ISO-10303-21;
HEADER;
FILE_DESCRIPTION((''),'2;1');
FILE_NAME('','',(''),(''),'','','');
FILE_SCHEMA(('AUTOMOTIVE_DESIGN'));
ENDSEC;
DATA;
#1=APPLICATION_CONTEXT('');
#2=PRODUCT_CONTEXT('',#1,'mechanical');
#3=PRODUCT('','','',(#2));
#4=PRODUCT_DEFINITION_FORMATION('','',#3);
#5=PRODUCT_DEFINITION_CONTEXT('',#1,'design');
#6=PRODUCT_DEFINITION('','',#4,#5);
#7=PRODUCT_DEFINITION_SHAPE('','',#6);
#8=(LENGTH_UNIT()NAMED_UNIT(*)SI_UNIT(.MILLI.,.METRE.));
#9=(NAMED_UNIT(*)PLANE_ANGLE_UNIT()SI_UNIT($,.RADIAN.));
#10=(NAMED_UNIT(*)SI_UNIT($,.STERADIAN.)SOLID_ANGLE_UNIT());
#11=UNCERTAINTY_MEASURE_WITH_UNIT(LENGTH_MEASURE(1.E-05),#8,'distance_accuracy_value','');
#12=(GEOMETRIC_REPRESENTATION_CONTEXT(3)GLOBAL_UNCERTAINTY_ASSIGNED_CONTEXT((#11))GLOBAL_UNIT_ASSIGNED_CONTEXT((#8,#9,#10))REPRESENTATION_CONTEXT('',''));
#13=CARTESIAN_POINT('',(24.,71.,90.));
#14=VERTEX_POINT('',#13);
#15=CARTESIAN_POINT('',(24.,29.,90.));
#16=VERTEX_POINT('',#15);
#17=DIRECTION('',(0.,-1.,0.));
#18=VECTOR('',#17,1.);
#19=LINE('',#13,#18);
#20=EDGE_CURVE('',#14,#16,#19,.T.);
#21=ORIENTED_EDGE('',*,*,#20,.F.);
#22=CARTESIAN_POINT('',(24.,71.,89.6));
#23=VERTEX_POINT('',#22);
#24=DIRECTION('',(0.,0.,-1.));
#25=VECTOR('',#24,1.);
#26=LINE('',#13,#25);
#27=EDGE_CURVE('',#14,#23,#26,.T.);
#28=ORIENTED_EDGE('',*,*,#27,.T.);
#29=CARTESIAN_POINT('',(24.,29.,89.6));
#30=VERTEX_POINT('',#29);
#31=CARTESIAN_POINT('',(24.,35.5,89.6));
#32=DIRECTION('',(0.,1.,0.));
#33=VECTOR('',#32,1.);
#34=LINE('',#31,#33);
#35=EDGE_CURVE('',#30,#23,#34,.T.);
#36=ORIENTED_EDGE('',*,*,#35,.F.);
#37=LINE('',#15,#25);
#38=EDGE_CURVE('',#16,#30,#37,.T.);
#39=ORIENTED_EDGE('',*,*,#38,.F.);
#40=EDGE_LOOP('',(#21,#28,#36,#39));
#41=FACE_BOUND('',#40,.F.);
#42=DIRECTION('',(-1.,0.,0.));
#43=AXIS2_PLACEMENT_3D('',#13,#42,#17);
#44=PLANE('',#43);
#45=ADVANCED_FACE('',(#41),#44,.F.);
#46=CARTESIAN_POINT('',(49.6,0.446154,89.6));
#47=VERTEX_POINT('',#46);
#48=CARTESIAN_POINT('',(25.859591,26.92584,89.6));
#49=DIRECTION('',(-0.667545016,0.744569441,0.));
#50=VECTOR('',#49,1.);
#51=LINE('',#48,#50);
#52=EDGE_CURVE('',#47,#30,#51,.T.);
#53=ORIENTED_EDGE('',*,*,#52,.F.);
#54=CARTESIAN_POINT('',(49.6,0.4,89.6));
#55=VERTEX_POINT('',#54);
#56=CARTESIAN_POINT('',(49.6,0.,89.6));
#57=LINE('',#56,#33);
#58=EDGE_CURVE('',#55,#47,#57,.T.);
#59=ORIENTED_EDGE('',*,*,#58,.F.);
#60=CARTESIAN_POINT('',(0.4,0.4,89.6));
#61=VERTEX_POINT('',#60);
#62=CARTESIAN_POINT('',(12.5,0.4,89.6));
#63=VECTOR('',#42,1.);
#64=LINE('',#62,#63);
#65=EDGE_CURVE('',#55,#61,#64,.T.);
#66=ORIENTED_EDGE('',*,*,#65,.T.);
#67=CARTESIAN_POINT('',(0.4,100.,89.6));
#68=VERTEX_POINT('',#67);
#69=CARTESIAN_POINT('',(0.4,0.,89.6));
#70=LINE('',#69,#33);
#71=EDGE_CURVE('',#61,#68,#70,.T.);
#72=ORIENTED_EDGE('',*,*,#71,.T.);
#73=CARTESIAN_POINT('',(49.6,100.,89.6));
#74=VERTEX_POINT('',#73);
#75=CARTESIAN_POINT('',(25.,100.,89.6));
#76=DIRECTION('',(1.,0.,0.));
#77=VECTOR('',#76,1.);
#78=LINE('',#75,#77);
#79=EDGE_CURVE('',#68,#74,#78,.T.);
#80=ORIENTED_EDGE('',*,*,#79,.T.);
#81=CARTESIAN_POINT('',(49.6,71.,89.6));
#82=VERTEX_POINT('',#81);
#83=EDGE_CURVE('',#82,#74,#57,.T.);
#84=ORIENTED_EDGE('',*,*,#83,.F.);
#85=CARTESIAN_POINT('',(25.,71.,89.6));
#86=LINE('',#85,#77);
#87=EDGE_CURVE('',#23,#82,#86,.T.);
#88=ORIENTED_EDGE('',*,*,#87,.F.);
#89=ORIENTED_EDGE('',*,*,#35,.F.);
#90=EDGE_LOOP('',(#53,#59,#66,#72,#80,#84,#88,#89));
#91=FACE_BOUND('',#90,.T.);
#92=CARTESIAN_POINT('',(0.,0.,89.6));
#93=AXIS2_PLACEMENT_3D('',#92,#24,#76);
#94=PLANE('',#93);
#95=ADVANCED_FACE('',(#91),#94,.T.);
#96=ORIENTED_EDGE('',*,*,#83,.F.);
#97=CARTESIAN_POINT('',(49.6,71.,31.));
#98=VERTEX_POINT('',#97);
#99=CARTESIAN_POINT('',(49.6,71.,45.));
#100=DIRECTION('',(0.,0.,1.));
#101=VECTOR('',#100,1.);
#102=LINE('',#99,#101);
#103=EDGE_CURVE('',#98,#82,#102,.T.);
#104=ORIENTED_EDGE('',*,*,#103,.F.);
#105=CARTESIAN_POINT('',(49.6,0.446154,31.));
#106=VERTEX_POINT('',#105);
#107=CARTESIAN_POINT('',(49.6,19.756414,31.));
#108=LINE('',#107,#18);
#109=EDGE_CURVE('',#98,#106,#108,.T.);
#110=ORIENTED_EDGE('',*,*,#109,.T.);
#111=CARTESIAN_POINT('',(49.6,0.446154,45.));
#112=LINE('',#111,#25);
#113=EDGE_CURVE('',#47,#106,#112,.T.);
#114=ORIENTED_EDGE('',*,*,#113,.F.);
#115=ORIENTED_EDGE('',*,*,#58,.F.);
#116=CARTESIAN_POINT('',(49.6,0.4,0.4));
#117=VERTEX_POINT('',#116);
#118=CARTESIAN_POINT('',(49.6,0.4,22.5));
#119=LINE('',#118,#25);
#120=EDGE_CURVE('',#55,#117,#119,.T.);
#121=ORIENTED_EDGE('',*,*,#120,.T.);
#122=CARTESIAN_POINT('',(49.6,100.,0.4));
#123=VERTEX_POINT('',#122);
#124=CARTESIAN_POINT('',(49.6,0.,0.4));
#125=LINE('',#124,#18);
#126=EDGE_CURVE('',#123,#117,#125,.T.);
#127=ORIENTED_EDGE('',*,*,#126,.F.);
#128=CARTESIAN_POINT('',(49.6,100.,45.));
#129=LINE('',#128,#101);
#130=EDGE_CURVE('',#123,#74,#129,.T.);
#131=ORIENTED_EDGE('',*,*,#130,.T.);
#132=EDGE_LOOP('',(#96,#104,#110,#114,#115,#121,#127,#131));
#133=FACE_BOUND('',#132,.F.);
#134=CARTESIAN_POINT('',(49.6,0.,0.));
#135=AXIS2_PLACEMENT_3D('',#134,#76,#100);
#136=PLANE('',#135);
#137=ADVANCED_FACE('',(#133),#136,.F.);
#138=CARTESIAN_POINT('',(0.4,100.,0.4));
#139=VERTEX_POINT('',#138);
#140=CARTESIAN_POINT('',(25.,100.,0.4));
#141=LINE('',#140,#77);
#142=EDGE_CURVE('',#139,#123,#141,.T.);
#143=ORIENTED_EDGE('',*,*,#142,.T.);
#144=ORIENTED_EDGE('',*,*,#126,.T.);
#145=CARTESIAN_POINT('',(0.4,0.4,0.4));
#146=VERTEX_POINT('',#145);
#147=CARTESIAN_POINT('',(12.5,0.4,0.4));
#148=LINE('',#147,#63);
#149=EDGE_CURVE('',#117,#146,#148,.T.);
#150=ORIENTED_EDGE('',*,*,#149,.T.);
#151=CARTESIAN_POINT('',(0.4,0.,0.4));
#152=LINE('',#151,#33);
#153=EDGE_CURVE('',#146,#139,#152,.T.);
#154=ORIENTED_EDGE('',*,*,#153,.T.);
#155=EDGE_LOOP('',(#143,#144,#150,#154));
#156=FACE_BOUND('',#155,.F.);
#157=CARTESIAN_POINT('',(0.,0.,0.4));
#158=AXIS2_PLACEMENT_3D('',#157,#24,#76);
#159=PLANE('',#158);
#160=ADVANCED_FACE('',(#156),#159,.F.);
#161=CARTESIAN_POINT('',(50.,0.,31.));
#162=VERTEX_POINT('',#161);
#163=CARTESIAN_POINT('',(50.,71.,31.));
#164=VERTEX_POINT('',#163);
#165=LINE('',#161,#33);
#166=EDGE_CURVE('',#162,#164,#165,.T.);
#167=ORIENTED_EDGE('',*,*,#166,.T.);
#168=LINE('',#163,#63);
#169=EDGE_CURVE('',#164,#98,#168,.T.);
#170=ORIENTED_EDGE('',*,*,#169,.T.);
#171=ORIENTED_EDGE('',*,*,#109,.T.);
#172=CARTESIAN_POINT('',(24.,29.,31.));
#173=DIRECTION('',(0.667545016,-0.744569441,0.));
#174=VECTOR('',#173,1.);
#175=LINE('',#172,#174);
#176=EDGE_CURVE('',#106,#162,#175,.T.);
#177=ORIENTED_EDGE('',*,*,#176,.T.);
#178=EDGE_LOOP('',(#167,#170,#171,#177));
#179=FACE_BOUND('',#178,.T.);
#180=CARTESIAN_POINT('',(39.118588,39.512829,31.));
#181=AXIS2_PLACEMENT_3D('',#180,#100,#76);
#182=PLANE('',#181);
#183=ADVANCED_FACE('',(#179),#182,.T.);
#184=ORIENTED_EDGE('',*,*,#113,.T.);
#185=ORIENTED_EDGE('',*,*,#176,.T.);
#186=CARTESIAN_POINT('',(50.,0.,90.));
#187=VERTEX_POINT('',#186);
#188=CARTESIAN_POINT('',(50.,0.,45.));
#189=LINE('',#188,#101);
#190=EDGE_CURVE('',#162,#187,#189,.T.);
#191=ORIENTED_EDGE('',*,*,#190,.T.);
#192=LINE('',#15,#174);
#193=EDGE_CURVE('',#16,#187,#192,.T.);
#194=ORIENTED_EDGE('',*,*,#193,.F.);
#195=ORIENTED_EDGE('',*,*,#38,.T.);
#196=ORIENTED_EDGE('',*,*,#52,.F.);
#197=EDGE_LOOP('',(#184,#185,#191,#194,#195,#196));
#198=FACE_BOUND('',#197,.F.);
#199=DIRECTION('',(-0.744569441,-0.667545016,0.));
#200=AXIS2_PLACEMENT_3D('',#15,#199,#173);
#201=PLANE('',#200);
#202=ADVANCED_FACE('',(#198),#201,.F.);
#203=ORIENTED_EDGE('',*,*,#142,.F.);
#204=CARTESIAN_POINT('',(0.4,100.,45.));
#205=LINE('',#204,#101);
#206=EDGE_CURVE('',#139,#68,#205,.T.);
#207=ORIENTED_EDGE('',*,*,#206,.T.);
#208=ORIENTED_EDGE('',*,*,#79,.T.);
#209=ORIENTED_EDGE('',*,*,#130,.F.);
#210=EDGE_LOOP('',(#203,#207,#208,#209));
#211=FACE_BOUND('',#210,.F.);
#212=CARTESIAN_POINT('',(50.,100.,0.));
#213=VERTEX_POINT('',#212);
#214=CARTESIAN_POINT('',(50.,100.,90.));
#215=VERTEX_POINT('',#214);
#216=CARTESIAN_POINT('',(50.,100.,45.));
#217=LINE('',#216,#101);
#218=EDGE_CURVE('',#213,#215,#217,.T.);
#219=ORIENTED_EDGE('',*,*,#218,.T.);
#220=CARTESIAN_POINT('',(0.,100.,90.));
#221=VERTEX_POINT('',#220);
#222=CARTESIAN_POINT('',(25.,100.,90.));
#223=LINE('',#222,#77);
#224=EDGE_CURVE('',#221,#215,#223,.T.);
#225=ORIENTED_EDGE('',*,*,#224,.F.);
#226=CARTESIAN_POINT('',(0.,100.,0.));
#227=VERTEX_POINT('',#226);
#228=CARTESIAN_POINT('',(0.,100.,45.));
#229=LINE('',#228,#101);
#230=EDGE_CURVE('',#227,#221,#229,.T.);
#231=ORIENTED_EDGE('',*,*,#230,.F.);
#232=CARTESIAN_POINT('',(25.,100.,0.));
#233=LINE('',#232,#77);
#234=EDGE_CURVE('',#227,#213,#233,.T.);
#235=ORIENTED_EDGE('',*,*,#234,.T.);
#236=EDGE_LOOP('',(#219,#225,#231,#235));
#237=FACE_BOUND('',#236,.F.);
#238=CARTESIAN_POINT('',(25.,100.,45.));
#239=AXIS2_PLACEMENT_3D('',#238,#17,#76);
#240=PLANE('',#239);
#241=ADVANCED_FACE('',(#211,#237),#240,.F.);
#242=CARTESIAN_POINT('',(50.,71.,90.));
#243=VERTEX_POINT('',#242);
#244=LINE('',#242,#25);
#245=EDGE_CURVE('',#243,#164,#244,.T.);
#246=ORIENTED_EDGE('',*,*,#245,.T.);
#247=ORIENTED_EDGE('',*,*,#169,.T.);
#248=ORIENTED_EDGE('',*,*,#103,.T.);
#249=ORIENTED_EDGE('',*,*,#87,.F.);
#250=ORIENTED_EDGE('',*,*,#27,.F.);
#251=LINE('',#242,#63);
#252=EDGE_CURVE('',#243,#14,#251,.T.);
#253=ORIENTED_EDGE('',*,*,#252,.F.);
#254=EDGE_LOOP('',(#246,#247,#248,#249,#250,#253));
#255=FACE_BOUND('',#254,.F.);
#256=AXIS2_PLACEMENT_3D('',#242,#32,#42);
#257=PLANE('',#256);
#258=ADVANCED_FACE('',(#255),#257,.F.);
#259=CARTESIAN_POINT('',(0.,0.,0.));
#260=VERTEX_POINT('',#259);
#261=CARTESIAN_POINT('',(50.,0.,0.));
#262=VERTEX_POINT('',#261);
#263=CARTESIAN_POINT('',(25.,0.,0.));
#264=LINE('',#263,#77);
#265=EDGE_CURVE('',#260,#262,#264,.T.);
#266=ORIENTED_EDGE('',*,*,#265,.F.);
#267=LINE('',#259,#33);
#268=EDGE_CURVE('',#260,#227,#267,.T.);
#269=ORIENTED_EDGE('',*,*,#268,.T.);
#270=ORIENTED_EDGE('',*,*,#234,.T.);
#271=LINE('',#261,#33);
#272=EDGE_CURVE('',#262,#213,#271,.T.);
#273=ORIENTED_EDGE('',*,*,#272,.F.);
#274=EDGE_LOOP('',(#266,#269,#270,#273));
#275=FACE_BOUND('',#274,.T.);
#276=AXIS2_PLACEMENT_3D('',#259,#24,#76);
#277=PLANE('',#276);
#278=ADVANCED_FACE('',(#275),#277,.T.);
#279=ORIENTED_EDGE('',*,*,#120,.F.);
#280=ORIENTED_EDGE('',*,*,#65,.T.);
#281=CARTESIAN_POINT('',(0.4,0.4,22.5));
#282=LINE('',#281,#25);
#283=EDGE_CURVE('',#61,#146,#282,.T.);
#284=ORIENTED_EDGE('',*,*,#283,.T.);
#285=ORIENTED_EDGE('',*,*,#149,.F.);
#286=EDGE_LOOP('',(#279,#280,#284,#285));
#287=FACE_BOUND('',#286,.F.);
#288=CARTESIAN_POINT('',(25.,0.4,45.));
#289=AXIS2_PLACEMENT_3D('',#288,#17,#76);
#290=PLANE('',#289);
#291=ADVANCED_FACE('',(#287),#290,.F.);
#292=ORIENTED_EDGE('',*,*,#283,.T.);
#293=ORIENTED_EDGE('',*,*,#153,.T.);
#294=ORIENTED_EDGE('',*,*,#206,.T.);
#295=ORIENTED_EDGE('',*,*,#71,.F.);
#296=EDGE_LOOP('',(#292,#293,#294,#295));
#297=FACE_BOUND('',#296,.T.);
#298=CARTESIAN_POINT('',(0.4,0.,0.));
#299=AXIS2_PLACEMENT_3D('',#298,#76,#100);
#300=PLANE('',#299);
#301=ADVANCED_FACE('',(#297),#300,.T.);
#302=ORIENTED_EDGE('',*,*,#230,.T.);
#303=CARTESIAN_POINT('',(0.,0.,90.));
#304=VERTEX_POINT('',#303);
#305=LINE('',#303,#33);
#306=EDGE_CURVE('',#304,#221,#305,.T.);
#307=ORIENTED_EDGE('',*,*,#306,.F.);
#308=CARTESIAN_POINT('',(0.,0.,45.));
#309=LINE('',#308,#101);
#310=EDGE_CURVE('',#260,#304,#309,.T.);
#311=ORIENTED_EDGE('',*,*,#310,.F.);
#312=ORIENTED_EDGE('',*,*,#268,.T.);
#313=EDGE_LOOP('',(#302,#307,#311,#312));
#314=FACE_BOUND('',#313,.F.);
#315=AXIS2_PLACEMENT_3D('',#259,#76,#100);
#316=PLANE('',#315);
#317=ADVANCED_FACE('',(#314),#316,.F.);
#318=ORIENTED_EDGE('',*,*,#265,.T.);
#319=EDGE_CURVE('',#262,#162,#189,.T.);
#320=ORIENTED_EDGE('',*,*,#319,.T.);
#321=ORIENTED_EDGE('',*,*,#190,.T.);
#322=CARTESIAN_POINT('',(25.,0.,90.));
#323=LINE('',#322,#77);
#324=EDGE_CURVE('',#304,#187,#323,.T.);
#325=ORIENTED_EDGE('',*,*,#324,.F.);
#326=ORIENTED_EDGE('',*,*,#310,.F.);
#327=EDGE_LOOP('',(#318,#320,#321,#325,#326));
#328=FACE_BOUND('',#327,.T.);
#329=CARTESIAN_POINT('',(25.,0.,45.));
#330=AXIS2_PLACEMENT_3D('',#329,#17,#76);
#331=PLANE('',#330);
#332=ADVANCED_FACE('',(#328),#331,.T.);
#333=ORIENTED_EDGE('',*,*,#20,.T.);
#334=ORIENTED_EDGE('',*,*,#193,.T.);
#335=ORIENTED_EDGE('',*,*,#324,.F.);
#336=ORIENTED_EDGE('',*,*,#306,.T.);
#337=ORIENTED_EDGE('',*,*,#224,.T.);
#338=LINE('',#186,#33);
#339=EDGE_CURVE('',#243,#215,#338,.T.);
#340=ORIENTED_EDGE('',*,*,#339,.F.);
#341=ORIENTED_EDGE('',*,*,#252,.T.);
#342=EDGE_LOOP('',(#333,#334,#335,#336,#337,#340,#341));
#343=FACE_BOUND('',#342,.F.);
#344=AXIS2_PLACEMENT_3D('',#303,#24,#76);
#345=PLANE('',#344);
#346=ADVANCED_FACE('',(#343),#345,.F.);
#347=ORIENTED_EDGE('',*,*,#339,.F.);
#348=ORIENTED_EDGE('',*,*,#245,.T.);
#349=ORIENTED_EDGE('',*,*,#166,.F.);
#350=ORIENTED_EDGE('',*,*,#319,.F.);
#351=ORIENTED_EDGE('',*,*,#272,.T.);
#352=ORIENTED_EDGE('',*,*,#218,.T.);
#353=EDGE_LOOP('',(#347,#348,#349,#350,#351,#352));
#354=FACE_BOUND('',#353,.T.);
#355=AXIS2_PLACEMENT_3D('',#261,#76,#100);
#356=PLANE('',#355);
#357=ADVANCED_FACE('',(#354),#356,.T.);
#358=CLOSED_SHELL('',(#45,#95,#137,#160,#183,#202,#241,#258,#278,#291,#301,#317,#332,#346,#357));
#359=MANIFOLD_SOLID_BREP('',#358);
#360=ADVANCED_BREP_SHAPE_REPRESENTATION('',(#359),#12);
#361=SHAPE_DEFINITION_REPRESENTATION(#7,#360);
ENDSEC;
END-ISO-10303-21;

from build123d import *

# Parameters (mm, degrees)
F0_W     = 50
F0_H     = 90
F1_DEPTH = 100
F2_T     = -0.4
F4_DEPTH = 59


with BuildPart() as f1:
    # F0 (on Front) → F1 (new body)
    with BuildSketch(Plane.XZ):
        with Locations((25, 45)):
            Rectangle(F0_W, F0_H)
    extrude(amount=-F1_DEPTH)

    # F2
    f2_openings = [f1.faces().sort_by_distance(p)[0] for p in [
        (25, 100, 45),
    ]]
    offset(amount=F2_T, openings=f2_openings)

    # F3 (on face) → F4 (cut)
    with BuildSketch(Plane.XY.offset(90)):
        Polygon((24, 29), (50, 0), (50, 71), (24, 71), align=None)
    extrude(amount=-F4_DEPTH, mode=Mode.SUBTRACT)


solid = f1.part
